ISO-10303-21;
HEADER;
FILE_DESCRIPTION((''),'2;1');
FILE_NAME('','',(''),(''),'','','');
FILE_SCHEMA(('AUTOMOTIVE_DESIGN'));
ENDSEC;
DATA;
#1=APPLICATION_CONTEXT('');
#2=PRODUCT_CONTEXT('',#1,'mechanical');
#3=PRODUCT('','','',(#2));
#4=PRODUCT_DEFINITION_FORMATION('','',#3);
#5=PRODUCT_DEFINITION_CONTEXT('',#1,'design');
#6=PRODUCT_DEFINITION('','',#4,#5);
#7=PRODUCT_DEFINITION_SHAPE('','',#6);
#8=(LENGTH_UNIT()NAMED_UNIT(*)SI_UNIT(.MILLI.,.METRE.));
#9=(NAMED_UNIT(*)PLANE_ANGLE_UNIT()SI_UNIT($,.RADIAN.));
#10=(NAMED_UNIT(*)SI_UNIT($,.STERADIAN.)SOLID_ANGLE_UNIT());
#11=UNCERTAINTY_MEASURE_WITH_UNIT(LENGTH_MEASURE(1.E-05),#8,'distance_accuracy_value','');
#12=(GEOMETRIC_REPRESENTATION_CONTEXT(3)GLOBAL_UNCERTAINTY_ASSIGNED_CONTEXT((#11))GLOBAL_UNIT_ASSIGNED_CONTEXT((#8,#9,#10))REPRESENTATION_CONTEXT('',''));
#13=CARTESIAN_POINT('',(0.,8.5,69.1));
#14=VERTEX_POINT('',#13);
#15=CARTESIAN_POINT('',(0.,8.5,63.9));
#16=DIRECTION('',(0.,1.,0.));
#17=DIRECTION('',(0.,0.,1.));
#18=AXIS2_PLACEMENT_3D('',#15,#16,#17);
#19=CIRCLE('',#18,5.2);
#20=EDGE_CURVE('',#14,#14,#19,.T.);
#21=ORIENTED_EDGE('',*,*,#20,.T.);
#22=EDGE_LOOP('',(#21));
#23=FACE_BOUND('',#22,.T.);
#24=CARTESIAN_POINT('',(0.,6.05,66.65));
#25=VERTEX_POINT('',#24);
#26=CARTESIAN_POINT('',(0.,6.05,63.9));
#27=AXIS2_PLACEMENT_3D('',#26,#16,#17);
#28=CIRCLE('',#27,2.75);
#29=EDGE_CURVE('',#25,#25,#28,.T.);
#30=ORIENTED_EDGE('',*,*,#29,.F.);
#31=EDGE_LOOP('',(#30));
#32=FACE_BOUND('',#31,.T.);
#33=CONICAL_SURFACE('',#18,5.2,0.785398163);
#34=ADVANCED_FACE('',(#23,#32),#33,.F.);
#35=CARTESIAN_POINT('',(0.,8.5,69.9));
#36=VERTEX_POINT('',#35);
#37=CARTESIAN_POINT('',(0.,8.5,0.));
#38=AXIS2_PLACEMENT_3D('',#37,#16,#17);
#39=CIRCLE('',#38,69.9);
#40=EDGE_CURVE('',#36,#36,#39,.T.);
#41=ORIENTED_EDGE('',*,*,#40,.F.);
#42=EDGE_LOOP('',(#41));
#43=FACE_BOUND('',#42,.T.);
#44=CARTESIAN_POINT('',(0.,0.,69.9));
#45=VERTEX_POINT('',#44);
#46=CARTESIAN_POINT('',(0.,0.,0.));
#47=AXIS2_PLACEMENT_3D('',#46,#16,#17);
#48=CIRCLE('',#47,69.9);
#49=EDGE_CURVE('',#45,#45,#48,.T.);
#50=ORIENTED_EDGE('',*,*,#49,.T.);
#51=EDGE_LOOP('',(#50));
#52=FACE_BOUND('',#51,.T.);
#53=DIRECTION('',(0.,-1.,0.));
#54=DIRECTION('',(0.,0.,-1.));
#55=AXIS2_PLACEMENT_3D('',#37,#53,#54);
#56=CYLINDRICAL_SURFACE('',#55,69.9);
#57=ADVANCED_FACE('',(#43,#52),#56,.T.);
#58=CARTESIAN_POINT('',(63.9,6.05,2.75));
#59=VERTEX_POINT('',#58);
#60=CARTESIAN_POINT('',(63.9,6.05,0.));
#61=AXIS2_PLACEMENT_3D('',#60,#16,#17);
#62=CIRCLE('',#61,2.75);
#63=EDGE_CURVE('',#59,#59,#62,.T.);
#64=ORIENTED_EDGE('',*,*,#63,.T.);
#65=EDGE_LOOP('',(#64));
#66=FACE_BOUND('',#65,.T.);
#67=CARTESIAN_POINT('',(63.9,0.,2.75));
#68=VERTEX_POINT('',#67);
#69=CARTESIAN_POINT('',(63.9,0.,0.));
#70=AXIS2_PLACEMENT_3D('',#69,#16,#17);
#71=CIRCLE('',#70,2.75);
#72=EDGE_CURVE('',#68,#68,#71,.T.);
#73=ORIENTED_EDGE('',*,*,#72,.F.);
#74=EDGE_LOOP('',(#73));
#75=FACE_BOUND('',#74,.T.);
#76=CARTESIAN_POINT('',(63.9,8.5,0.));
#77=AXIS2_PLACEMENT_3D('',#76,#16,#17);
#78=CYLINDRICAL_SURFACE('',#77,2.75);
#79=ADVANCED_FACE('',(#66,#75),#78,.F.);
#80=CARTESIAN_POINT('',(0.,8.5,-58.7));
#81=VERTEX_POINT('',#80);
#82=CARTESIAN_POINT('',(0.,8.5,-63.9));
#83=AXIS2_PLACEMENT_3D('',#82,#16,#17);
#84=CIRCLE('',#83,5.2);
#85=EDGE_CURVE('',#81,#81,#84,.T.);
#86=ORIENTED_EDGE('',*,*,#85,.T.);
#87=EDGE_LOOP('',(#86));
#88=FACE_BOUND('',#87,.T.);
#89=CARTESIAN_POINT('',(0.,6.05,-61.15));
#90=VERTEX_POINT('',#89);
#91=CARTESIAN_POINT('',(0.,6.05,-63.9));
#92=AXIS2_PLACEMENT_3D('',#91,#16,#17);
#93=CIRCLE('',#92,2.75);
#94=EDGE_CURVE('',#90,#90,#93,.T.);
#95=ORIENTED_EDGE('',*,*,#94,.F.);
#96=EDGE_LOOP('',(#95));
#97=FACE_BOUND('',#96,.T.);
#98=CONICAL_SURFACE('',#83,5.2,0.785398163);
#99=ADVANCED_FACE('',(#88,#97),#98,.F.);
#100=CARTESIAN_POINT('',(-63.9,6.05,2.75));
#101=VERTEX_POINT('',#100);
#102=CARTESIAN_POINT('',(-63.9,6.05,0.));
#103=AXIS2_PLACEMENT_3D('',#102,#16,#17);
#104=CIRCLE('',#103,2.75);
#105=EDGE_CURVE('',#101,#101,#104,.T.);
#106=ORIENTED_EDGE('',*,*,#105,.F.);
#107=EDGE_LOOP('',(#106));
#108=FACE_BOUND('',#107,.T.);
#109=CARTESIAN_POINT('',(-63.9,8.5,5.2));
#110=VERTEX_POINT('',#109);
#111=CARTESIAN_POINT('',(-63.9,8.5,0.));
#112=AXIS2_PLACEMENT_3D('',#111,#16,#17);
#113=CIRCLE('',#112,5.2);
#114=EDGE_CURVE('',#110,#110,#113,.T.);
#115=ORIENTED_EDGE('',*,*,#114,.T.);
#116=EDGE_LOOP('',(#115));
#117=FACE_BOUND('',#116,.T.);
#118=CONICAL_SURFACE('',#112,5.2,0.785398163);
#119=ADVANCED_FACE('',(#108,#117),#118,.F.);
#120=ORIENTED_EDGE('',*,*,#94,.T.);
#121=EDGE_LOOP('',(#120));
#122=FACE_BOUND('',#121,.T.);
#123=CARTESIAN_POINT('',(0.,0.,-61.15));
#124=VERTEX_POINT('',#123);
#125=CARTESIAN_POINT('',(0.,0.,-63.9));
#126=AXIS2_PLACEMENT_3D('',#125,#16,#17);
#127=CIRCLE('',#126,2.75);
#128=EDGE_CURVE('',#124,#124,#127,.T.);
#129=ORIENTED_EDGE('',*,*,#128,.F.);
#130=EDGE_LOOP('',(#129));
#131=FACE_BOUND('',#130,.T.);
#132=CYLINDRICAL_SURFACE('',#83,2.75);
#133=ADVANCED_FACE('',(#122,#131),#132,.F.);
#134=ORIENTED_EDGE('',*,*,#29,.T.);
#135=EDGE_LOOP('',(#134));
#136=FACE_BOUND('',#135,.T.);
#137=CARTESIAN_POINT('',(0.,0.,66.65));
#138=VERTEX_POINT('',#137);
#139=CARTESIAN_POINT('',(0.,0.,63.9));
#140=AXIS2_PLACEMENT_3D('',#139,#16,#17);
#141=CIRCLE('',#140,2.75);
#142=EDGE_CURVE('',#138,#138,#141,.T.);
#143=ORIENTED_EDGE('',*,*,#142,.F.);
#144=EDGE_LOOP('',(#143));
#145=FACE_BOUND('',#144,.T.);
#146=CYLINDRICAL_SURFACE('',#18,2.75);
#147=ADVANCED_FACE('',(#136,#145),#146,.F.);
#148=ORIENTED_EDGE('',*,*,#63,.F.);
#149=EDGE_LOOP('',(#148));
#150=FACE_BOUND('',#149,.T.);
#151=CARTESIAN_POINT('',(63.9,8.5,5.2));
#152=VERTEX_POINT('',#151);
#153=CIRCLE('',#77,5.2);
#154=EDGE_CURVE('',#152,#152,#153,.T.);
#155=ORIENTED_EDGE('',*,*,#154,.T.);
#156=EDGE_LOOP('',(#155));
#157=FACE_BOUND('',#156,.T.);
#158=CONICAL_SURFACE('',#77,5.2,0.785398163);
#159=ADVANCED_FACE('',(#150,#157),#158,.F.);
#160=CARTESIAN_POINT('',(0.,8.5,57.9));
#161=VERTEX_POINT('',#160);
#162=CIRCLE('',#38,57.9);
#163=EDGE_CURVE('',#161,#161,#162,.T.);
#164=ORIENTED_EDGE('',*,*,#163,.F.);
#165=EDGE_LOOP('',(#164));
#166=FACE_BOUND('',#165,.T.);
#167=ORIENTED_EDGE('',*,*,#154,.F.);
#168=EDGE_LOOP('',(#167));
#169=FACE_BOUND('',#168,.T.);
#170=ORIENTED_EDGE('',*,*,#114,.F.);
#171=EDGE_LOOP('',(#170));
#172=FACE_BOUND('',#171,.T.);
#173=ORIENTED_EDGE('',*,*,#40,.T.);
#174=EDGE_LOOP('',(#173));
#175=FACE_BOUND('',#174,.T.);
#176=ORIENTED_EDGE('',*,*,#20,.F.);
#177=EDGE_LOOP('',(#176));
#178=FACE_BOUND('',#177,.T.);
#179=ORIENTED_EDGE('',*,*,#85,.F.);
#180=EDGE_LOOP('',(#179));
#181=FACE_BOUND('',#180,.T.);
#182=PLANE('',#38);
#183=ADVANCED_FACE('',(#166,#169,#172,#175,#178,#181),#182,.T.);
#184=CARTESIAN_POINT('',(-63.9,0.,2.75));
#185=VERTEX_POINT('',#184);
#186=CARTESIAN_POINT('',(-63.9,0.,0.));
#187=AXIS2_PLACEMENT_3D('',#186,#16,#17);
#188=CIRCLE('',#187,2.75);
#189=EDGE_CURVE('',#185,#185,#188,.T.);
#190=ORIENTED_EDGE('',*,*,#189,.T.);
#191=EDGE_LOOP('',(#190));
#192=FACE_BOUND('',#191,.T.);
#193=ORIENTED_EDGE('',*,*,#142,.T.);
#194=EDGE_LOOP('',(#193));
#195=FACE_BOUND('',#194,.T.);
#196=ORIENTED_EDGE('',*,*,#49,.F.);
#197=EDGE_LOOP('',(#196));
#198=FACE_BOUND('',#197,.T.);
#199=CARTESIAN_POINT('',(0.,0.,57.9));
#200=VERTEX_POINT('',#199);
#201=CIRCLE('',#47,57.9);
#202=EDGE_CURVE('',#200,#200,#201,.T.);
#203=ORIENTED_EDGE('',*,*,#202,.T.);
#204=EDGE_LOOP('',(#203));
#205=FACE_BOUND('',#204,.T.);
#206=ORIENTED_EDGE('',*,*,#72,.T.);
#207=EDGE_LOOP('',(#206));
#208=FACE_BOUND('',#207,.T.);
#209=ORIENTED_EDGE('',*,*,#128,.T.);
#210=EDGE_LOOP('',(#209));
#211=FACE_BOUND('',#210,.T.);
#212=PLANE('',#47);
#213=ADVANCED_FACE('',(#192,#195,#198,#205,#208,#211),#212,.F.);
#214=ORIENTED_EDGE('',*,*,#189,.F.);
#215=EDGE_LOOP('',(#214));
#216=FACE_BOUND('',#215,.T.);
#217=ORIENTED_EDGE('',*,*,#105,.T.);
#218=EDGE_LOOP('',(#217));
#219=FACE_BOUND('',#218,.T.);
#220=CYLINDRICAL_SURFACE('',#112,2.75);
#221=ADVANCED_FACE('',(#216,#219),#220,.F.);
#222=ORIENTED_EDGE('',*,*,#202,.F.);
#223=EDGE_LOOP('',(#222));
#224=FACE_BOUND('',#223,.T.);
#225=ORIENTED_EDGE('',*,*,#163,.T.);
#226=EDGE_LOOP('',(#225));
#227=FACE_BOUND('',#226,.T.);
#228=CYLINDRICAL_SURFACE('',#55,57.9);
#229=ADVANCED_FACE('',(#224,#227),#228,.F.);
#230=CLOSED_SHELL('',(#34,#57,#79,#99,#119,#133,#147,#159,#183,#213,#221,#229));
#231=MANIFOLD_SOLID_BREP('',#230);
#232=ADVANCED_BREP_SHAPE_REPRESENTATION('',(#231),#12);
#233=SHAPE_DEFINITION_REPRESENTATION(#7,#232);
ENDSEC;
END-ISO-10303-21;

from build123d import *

# Parameters (mm, degrees)
SKETCH1_R                                       = 69.9
SKETCH1_R_2                                     = 57.9
BOSS_EXTRUDE1_DEPTH                             = 8.5
CSK_FOR_M5_FLAT_HEAD_MACHINE_SCREW1_D           = 5.5
CSK_FOR_M5_FLAT_HEAD_MACHINE_SCREW1_DEPTH       = 30
CSK_FOR_M5_FLAT_HEAD_MACHINE_SCREW1_CSINK_D     = 10.4
CSK_FOR_M5_FLAT_HEAD_MACHINE_SCREW1_CSINK_ANGLE = 90
CSK_FOR_M5_FLAT_HEAD_MACHINE_SCREW1_TIP         = 1.652366702


with BuildPart() as part:
    # Sketch1 → Boss-Extrude1 (new body)
    with BuildSketch(Plane(origin=(0, 0, 0), x_dir=(1, 0, 0), z_dir=(0, 1, 0))):
        with Locations(Location((0, 0, 0), (0, 0, 270))):
            Circle(SKETCH1_R)
        with Locations(Location((0, 0, 0), (0, 0, 270))):
            Circle(SKETCH1_R_2, mode=Mode.SUBTRACT)
    extrude(amount=BOSS_EXTRUDE1_DEPTH)

    # CSK for M5 Flat Head Machine Screw1
    with Locations(Plane(origin=(0, 8.5, 0), x_dir=(1, 0, 0), z_dir=(0, 1, 0))):
        with Locations((0, 63.9), (63.9, 0), (0, -63.9), (-63.9, 0)):
            CounterSinkHole(CSK_FOR_M5_FLAT_HEAD_MACHINE_SCREW1_D / 2, CSK_FOR_M5_FLAT_HEAD_MACHINE_SCREW1_CSINK_D / 2, depth=CSK_FOR_M5_FLAT_HEAD_MACHINE_SCREW1_DEPTH, counter_sink_angle=CSK_FOR_M5_FLAT_HEAD_MACHINE_SCREW1_CSINK_ANGLE)
            with Locations((0, 0, -(CSK_FOR_M5_FLAT_HEAD_MACHINE_SCREW1_DEPTH + CSK_FOR_M5_FLAT_HEAD_MACHINE_SCREW1_TIP / 2))):  # 118° drill point
                Cone(0, CSK_FOR_M5_FLAT_HEAD_MACHINE_SCREW1_D / 2, CSK_FOR_M5_FLAT_HEAD_MACHINE_SCREW1_TIP, mode=Mode.SUBTRACT)


solid = part.part
